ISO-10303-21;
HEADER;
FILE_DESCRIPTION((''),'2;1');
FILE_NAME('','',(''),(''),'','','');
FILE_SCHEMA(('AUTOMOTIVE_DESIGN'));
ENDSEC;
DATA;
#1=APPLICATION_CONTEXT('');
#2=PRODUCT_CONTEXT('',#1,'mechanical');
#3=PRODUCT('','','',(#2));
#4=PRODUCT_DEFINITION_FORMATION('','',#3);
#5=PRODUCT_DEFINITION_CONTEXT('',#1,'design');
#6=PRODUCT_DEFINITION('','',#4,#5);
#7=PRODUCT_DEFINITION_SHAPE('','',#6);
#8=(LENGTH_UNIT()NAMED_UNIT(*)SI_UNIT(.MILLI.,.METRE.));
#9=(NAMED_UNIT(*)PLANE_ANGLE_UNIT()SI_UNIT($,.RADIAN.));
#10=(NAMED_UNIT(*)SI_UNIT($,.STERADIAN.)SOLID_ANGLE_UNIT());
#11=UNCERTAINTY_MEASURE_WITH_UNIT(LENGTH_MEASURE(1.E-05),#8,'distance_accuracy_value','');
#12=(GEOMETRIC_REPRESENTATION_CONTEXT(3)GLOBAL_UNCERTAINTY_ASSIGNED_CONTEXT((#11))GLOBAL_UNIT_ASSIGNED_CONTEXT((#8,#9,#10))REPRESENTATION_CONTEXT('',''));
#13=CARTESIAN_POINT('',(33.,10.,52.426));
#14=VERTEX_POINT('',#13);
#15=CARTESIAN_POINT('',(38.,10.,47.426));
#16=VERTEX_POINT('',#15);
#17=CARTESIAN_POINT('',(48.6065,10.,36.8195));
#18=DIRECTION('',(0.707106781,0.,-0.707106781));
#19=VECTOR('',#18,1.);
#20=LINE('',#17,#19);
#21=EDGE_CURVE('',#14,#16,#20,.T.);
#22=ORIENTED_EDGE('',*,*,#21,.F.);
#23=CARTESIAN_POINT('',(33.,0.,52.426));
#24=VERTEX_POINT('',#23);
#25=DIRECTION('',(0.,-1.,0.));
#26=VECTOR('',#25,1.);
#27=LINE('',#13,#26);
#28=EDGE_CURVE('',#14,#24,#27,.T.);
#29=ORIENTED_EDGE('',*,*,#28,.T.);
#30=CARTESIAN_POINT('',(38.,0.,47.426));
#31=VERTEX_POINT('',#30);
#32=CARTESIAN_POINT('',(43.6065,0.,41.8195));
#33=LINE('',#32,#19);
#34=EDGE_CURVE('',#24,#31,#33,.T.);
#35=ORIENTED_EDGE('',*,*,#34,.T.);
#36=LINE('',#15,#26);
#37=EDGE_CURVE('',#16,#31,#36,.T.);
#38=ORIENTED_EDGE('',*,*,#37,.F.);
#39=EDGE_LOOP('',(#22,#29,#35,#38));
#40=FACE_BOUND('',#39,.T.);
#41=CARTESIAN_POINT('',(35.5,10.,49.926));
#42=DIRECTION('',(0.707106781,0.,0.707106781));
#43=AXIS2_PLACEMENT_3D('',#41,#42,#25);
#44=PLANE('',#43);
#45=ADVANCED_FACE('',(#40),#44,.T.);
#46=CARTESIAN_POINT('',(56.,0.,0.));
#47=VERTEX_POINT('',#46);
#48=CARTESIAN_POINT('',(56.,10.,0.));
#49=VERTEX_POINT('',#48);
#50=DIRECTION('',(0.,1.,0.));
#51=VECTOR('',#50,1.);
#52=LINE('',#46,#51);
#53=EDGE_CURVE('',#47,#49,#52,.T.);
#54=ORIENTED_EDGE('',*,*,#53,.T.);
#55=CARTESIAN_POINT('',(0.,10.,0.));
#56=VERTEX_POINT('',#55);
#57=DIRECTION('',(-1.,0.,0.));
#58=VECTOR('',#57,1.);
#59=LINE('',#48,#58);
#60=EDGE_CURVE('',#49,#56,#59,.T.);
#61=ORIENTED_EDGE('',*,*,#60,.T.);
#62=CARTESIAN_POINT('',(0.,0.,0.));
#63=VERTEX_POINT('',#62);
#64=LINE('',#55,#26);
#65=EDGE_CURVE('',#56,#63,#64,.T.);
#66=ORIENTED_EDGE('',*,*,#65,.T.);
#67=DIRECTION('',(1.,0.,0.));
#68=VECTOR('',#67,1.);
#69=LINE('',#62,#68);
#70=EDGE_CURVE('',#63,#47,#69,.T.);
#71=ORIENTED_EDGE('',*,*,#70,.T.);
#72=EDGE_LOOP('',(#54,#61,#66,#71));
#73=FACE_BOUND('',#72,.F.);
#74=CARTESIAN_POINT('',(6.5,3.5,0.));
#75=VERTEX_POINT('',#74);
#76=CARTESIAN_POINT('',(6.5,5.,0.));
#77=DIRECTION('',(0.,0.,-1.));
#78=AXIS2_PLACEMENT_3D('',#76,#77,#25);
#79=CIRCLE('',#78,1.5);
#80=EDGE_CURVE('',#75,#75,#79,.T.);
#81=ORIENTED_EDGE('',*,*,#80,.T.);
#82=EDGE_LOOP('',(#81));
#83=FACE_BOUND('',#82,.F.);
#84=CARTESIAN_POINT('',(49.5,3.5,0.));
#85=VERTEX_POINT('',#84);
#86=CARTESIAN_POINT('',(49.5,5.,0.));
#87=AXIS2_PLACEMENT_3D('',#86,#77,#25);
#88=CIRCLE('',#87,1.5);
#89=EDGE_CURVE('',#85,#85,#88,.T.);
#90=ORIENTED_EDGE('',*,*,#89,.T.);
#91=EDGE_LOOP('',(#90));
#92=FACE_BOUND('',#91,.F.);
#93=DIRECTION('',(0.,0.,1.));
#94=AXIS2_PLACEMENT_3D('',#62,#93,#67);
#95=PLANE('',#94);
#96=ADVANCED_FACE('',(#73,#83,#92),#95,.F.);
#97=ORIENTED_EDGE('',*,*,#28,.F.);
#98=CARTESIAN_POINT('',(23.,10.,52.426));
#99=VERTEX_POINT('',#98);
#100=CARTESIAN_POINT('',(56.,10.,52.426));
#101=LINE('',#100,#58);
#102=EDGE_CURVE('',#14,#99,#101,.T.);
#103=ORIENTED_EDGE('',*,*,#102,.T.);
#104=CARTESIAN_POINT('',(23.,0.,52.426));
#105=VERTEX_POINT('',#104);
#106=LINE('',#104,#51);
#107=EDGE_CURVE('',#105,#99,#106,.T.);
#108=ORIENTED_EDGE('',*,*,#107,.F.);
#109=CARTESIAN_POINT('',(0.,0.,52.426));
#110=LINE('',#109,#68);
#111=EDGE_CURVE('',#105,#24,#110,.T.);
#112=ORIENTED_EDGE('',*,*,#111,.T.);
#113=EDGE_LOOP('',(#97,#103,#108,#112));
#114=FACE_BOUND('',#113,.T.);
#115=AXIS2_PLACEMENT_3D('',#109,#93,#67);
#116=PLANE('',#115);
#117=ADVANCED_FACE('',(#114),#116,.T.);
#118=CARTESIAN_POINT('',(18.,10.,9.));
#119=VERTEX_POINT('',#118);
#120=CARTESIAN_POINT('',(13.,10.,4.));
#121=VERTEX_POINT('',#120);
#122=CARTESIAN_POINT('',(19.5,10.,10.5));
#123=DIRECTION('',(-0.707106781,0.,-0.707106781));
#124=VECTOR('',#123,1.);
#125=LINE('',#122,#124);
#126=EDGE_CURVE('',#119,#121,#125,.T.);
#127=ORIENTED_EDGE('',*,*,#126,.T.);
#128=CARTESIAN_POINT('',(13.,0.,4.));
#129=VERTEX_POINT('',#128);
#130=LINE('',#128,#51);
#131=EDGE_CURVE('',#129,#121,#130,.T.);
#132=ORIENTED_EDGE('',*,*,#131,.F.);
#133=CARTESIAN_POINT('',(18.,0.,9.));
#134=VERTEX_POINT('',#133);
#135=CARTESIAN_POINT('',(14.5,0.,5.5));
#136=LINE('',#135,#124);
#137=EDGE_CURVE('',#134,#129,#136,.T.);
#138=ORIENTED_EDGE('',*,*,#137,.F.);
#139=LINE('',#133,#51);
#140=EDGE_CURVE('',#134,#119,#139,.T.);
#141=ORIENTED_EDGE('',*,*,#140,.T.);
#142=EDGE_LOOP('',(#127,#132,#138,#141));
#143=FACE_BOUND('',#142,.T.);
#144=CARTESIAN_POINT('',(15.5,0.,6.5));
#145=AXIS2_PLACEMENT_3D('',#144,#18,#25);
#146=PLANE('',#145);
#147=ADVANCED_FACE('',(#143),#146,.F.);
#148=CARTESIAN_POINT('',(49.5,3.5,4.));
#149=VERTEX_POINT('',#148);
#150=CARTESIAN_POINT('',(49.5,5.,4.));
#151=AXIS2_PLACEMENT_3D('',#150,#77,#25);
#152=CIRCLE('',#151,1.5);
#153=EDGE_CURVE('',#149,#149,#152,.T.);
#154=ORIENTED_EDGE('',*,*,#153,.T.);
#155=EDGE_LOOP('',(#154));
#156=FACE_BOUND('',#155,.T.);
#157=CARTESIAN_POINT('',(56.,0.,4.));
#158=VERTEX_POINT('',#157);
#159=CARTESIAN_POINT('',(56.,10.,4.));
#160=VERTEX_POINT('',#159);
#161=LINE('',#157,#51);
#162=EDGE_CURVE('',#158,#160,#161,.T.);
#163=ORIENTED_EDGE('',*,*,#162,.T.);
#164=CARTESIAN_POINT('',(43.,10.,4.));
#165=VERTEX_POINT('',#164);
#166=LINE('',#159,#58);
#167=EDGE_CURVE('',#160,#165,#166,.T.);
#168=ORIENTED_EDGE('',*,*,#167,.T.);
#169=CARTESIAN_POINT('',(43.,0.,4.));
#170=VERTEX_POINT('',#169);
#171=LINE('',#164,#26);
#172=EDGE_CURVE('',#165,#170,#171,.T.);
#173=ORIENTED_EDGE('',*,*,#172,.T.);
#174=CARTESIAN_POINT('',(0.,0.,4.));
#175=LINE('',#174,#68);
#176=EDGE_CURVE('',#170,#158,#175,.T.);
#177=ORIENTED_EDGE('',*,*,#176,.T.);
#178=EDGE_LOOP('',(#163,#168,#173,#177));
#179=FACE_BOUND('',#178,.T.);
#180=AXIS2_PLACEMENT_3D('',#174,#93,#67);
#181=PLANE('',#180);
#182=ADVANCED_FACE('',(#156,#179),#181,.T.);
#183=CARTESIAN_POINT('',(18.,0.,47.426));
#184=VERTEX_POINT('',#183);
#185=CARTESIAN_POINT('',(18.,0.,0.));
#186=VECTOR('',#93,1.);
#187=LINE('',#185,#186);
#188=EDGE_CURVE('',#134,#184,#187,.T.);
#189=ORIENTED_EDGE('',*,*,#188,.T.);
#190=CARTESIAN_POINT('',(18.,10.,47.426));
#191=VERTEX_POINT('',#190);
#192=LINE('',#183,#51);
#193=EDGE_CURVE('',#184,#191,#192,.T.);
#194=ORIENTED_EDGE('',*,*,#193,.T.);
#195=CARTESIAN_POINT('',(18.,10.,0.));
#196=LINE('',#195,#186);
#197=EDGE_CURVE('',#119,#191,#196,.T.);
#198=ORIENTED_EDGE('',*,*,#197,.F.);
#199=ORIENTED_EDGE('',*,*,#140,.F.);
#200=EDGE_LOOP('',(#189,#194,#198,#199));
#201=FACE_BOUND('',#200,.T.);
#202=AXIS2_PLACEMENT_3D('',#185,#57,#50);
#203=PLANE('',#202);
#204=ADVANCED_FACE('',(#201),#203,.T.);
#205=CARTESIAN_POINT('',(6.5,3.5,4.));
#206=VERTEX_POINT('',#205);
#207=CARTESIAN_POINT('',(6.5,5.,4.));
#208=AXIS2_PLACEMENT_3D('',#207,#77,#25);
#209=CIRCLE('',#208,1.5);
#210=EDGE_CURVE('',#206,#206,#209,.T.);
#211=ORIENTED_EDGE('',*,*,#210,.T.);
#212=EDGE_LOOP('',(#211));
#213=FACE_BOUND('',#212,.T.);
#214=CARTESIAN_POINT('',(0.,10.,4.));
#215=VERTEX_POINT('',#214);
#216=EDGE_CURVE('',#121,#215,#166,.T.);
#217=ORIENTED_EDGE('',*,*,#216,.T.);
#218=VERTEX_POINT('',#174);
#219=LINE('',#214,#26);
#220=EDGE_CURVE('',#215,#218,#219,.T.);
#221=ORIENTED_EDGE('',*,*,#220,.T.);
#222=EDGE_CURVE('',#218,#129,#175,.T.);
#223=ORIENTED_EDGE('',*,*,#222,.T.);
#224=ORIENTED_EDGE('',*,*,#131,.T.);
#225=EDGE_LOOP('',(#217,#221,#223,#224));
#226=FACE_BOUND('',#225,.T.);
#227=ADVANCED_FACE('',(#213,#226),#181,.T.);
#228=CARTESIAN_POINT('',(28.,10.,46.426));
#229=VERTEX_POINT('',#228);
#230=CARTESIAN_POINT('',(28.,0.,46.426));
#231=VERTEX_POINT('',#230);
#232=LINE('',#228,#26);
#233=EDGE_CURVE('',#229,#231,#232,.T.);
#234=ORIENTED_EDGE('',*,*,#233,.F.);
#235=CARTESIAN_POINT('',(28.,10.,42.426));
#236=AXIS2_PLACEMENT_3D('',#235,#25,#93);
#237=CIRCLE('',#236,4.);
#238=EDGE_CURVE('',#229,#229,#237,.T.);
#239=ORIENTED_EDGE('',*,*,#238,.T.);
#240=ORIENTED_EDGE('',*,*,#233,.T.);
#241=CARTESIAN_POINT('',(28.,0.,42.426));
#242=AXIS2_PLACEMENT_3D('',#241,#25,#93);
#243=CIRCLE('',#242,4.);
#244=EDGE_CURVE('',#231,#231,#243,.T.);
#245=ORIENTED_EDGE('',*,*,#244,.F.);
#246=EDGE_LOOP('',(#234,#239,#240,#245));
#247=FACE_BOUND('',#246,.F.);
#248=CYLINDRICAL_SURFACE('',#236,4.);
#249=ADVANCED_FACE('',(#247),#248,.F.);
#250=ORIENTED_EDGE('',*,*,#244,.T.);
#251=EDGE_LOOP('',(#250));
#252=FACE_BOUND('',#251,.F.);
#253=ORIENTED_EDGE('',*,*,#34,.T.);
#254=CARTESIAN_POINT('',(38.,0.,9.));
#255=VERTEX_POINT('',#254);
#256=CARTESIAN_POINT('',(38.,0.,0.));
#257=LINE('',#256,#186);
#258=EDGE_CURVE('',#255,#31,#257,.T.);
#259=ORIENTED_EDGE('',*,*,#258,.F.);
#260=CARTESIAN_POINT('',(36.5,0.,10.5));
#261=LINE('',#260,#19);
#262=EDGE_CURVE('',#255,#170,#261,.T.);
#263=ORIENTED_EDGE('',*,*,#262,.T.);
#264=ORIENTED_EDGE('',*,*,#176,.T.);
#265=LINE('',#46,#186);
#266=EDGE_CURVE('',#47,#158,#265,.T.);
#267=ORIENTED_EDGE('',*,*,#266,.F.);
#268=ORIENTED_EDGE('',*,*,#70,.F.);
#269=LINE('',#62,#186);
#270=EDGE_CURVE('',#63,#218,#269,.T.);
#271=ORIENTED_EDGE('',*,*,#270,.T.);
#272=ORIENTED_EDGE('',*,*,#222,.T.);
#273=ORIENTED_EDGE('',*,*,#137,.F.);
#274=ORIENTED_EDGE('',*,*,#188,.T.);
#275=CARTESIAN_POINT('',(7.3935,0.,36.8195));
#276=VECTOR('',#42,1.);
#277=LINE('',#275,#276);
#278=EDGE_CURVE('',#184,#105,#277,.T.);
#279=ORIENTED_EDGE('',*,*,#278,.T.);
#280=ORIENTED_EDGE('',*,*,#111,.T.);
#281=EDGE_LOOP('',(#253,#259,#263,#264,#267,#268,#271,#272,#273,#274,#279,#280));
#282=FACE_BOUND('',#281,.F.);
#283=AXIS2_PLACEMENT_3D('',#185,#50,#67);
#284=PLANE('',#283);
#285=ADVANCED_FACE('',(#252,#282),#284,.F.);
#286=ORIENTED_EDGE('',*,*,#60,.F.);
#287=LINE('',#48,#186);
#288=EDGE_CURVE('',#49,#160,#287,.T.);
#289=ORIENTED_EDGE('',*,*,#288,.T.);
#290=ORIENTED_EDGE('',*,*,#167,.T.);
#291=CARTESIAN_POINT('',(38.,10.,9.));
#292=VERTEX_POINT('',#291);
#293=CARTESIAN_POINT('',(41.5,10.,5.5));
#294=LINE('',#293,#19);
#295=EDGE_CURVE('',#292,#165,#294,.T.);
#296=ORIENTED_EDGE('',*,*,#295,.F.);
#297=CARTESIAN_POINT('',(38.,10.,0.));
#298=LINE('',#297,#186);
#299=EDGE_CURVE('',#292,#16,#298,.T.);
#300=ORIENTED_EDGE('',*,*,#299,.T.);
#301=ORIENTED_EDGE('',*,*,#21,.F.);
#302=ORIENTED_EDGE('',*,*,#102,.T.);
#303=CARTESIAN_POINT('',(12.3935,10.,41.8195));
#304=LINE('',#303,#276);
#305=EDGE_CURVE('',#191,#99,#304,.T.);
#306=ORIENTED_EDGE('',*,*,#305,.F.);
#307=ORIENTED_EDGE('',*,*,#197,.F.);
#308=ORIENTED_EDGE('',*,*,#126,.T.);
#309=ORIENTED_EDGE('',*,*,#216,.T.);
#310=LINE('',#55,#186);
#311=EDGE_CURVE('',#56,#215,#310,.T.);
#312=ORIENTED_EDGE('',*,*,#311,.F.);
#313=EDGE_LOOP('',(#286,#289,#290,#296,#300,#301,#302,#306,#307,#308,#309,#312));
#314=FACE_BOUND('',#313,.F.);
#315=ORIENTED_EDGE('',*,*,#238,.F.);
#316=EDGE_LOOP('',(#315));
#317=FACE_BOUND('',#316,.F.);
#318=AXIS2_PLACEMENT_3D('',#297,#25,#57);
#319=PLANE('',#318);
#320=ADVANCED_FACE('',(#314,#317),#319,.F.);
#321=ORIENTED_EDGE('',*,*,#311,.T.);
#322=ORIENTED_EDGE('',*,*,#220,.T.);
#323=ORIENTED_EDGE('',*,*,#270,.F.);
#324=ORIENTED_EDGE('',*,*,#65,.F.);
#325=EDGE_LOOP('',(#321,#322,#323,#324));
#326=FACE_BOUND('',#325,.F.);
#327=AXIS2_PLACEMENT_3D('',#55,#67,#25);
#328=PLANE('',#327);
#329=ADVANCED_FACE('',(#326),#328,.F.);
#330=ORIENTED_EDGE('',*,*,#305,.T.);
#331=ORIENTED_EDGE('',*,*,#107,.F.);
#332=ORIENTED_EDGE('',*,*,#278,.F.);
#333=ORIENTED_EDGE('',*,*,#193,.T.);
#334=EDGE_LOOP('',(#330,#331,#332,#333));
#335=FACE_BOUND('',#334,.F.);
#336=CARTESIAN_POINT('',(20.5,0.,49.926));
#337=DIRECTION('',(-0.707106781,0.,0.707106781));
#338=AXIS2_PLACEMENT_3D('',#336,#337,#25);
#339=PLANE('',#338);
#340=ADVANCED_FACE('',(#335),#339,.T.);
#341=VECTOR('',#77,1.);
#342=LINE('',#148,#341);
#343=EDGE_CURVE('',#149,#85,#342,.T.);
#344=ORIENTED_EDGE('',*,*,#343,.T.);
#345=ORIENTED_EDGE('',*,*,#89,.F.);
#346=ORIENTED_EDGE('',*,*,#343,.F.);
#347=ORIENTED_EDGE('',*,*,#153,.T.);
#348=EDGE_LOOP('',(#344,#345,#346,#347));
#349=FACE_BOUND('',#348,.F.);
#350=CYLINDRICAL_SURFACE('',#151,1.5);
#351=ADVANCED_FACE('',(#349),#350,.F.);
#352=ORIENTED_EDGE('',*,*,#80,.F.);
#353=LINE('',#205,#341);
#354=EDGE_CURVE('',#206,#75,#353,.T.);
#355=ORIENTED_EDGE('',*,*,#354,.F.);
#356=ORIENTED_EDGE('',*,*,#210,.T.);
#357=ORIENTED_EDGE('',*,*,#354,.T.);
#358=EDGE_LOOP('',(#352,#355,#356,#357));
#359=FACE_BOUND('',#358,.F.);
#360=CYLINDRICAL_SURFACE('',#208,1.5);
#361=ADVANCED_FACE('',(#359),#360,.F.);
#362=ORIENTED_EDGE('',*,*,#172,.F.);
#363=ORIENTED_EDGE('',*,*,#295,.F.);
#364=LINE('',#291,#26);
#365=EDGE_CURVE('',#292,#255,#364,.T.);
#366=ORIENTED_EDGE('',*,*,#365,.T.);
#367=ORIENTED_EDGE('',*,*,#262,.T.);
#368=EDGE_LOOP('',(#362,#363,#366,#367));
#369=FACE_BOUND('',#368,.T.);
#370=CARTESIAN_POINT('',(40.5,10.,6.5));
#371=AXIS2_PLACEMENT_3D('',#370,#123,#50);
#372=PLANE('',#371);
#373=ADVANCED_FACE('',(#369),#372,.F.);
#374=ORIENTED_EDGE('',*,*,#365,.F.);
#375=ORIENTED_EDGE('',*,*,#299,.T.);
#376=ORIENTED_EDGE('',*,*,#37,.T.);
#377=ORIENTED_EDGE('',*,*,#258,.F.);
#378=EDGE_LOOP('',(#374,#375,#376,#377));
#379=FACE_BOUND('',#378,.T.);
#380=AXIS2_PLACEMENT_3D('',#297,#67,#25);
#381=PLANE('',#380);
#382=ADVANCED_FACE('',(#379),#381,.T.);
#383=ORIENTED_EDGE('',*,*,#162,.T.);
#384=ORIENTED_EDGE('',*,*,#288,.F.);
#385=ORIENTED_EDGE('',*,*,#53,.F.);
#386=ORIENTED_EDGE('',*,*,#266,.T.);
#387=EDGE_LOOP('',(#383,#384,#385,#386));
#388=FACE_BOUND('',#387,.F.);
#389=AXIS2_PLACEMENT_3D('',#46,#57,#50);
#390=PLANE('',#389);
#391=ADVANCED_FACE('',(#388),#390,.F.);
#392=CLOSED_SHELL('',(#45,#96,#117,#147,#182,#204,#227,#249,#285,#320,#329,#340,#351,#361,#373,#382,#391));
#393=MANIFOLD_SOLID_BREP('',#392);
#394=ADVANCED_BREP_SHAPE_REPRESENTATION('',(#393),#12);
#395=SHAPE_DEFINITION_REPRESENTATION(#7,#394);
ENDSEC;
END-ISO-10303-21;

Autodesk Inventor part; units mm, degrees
ref_plane "YZ Plane" through (0, 0, 0) normal (1, 0, 0) x (0, 1, 0)
ref_plane "XZ Plane" through (0, 0, 0) normal (0, 1, 0) x (-1, 0, 0)
ref_plane "XY Plane" through (0, 0, 0) normal (0, 0, 1) x (1, 0, 0)
sketch "Esboço1" plane through (0, 0, 0) normal (0, 0, 1) x (1, 0, 0)
  line L0 (0, 0) -> (56, 0)
  line L1 (56, 0) -> (56, 10)
  line L2 (56, 10) -> (0, 10)
  line L3 (0, 10) -> (0, 0)
  line L4 (18, 10) -> (38, 10)
  line L5 (38, 10) -> (38, 0)
  line L6 (38, 0) -> (18, 0)
  line L7 (18, 0) -> (18, 10)
  line L8 (18, 10) -> (38, 0) construction
  line L9 (38, 10) -> (18, 0) construction
  point P0 (28, 5)
  dimension "d0" = 56
  dimension "d1" = 10
  dimension "d2" = 20
extrude "Extrusão1" add sketch "Esboço1" along normal blind 4 contours L3 L2 L7 L0 | L5 L2 L1 L0
extrude "Extrusão2" add sketch "Esboço1" along normal blind 52.426 contours L7 L2 L5 L0
chamfer "Chanfro1" distance 5 angle 45 4 edges at (38, 5, 4) (18, 5, 4) (38, 5, 52.426) (18, 5, 52.426)
sketch "Esboço2" plane through (0, 10, 0) normal (0, 1, 0) x (1, 0, 0)
  line L0 (33, -52.426) -> (23, -52.426) projected
  point P0 (0, 0)
  point P1 (28, -42.426)
  dimension "d24" = 10
hole "Furo1" at (28, 10, 42.426) direction (0, -1, 0) diameter 8 end through all
sketch "Esboço3" plane through (0, 0, 4) normal (0, 0, 1) x (1, 0, 0)
  point P0 (0, 0)
  point P1 (6.5, 5)
  point P2 (49.5, 5)
hole "Furo2" at (6.5, 5, 4) at (49.5, 5, 4) direction (0, 0, -1) diameter 3 end through all
properties part number "suporte barra_3DPrint"
